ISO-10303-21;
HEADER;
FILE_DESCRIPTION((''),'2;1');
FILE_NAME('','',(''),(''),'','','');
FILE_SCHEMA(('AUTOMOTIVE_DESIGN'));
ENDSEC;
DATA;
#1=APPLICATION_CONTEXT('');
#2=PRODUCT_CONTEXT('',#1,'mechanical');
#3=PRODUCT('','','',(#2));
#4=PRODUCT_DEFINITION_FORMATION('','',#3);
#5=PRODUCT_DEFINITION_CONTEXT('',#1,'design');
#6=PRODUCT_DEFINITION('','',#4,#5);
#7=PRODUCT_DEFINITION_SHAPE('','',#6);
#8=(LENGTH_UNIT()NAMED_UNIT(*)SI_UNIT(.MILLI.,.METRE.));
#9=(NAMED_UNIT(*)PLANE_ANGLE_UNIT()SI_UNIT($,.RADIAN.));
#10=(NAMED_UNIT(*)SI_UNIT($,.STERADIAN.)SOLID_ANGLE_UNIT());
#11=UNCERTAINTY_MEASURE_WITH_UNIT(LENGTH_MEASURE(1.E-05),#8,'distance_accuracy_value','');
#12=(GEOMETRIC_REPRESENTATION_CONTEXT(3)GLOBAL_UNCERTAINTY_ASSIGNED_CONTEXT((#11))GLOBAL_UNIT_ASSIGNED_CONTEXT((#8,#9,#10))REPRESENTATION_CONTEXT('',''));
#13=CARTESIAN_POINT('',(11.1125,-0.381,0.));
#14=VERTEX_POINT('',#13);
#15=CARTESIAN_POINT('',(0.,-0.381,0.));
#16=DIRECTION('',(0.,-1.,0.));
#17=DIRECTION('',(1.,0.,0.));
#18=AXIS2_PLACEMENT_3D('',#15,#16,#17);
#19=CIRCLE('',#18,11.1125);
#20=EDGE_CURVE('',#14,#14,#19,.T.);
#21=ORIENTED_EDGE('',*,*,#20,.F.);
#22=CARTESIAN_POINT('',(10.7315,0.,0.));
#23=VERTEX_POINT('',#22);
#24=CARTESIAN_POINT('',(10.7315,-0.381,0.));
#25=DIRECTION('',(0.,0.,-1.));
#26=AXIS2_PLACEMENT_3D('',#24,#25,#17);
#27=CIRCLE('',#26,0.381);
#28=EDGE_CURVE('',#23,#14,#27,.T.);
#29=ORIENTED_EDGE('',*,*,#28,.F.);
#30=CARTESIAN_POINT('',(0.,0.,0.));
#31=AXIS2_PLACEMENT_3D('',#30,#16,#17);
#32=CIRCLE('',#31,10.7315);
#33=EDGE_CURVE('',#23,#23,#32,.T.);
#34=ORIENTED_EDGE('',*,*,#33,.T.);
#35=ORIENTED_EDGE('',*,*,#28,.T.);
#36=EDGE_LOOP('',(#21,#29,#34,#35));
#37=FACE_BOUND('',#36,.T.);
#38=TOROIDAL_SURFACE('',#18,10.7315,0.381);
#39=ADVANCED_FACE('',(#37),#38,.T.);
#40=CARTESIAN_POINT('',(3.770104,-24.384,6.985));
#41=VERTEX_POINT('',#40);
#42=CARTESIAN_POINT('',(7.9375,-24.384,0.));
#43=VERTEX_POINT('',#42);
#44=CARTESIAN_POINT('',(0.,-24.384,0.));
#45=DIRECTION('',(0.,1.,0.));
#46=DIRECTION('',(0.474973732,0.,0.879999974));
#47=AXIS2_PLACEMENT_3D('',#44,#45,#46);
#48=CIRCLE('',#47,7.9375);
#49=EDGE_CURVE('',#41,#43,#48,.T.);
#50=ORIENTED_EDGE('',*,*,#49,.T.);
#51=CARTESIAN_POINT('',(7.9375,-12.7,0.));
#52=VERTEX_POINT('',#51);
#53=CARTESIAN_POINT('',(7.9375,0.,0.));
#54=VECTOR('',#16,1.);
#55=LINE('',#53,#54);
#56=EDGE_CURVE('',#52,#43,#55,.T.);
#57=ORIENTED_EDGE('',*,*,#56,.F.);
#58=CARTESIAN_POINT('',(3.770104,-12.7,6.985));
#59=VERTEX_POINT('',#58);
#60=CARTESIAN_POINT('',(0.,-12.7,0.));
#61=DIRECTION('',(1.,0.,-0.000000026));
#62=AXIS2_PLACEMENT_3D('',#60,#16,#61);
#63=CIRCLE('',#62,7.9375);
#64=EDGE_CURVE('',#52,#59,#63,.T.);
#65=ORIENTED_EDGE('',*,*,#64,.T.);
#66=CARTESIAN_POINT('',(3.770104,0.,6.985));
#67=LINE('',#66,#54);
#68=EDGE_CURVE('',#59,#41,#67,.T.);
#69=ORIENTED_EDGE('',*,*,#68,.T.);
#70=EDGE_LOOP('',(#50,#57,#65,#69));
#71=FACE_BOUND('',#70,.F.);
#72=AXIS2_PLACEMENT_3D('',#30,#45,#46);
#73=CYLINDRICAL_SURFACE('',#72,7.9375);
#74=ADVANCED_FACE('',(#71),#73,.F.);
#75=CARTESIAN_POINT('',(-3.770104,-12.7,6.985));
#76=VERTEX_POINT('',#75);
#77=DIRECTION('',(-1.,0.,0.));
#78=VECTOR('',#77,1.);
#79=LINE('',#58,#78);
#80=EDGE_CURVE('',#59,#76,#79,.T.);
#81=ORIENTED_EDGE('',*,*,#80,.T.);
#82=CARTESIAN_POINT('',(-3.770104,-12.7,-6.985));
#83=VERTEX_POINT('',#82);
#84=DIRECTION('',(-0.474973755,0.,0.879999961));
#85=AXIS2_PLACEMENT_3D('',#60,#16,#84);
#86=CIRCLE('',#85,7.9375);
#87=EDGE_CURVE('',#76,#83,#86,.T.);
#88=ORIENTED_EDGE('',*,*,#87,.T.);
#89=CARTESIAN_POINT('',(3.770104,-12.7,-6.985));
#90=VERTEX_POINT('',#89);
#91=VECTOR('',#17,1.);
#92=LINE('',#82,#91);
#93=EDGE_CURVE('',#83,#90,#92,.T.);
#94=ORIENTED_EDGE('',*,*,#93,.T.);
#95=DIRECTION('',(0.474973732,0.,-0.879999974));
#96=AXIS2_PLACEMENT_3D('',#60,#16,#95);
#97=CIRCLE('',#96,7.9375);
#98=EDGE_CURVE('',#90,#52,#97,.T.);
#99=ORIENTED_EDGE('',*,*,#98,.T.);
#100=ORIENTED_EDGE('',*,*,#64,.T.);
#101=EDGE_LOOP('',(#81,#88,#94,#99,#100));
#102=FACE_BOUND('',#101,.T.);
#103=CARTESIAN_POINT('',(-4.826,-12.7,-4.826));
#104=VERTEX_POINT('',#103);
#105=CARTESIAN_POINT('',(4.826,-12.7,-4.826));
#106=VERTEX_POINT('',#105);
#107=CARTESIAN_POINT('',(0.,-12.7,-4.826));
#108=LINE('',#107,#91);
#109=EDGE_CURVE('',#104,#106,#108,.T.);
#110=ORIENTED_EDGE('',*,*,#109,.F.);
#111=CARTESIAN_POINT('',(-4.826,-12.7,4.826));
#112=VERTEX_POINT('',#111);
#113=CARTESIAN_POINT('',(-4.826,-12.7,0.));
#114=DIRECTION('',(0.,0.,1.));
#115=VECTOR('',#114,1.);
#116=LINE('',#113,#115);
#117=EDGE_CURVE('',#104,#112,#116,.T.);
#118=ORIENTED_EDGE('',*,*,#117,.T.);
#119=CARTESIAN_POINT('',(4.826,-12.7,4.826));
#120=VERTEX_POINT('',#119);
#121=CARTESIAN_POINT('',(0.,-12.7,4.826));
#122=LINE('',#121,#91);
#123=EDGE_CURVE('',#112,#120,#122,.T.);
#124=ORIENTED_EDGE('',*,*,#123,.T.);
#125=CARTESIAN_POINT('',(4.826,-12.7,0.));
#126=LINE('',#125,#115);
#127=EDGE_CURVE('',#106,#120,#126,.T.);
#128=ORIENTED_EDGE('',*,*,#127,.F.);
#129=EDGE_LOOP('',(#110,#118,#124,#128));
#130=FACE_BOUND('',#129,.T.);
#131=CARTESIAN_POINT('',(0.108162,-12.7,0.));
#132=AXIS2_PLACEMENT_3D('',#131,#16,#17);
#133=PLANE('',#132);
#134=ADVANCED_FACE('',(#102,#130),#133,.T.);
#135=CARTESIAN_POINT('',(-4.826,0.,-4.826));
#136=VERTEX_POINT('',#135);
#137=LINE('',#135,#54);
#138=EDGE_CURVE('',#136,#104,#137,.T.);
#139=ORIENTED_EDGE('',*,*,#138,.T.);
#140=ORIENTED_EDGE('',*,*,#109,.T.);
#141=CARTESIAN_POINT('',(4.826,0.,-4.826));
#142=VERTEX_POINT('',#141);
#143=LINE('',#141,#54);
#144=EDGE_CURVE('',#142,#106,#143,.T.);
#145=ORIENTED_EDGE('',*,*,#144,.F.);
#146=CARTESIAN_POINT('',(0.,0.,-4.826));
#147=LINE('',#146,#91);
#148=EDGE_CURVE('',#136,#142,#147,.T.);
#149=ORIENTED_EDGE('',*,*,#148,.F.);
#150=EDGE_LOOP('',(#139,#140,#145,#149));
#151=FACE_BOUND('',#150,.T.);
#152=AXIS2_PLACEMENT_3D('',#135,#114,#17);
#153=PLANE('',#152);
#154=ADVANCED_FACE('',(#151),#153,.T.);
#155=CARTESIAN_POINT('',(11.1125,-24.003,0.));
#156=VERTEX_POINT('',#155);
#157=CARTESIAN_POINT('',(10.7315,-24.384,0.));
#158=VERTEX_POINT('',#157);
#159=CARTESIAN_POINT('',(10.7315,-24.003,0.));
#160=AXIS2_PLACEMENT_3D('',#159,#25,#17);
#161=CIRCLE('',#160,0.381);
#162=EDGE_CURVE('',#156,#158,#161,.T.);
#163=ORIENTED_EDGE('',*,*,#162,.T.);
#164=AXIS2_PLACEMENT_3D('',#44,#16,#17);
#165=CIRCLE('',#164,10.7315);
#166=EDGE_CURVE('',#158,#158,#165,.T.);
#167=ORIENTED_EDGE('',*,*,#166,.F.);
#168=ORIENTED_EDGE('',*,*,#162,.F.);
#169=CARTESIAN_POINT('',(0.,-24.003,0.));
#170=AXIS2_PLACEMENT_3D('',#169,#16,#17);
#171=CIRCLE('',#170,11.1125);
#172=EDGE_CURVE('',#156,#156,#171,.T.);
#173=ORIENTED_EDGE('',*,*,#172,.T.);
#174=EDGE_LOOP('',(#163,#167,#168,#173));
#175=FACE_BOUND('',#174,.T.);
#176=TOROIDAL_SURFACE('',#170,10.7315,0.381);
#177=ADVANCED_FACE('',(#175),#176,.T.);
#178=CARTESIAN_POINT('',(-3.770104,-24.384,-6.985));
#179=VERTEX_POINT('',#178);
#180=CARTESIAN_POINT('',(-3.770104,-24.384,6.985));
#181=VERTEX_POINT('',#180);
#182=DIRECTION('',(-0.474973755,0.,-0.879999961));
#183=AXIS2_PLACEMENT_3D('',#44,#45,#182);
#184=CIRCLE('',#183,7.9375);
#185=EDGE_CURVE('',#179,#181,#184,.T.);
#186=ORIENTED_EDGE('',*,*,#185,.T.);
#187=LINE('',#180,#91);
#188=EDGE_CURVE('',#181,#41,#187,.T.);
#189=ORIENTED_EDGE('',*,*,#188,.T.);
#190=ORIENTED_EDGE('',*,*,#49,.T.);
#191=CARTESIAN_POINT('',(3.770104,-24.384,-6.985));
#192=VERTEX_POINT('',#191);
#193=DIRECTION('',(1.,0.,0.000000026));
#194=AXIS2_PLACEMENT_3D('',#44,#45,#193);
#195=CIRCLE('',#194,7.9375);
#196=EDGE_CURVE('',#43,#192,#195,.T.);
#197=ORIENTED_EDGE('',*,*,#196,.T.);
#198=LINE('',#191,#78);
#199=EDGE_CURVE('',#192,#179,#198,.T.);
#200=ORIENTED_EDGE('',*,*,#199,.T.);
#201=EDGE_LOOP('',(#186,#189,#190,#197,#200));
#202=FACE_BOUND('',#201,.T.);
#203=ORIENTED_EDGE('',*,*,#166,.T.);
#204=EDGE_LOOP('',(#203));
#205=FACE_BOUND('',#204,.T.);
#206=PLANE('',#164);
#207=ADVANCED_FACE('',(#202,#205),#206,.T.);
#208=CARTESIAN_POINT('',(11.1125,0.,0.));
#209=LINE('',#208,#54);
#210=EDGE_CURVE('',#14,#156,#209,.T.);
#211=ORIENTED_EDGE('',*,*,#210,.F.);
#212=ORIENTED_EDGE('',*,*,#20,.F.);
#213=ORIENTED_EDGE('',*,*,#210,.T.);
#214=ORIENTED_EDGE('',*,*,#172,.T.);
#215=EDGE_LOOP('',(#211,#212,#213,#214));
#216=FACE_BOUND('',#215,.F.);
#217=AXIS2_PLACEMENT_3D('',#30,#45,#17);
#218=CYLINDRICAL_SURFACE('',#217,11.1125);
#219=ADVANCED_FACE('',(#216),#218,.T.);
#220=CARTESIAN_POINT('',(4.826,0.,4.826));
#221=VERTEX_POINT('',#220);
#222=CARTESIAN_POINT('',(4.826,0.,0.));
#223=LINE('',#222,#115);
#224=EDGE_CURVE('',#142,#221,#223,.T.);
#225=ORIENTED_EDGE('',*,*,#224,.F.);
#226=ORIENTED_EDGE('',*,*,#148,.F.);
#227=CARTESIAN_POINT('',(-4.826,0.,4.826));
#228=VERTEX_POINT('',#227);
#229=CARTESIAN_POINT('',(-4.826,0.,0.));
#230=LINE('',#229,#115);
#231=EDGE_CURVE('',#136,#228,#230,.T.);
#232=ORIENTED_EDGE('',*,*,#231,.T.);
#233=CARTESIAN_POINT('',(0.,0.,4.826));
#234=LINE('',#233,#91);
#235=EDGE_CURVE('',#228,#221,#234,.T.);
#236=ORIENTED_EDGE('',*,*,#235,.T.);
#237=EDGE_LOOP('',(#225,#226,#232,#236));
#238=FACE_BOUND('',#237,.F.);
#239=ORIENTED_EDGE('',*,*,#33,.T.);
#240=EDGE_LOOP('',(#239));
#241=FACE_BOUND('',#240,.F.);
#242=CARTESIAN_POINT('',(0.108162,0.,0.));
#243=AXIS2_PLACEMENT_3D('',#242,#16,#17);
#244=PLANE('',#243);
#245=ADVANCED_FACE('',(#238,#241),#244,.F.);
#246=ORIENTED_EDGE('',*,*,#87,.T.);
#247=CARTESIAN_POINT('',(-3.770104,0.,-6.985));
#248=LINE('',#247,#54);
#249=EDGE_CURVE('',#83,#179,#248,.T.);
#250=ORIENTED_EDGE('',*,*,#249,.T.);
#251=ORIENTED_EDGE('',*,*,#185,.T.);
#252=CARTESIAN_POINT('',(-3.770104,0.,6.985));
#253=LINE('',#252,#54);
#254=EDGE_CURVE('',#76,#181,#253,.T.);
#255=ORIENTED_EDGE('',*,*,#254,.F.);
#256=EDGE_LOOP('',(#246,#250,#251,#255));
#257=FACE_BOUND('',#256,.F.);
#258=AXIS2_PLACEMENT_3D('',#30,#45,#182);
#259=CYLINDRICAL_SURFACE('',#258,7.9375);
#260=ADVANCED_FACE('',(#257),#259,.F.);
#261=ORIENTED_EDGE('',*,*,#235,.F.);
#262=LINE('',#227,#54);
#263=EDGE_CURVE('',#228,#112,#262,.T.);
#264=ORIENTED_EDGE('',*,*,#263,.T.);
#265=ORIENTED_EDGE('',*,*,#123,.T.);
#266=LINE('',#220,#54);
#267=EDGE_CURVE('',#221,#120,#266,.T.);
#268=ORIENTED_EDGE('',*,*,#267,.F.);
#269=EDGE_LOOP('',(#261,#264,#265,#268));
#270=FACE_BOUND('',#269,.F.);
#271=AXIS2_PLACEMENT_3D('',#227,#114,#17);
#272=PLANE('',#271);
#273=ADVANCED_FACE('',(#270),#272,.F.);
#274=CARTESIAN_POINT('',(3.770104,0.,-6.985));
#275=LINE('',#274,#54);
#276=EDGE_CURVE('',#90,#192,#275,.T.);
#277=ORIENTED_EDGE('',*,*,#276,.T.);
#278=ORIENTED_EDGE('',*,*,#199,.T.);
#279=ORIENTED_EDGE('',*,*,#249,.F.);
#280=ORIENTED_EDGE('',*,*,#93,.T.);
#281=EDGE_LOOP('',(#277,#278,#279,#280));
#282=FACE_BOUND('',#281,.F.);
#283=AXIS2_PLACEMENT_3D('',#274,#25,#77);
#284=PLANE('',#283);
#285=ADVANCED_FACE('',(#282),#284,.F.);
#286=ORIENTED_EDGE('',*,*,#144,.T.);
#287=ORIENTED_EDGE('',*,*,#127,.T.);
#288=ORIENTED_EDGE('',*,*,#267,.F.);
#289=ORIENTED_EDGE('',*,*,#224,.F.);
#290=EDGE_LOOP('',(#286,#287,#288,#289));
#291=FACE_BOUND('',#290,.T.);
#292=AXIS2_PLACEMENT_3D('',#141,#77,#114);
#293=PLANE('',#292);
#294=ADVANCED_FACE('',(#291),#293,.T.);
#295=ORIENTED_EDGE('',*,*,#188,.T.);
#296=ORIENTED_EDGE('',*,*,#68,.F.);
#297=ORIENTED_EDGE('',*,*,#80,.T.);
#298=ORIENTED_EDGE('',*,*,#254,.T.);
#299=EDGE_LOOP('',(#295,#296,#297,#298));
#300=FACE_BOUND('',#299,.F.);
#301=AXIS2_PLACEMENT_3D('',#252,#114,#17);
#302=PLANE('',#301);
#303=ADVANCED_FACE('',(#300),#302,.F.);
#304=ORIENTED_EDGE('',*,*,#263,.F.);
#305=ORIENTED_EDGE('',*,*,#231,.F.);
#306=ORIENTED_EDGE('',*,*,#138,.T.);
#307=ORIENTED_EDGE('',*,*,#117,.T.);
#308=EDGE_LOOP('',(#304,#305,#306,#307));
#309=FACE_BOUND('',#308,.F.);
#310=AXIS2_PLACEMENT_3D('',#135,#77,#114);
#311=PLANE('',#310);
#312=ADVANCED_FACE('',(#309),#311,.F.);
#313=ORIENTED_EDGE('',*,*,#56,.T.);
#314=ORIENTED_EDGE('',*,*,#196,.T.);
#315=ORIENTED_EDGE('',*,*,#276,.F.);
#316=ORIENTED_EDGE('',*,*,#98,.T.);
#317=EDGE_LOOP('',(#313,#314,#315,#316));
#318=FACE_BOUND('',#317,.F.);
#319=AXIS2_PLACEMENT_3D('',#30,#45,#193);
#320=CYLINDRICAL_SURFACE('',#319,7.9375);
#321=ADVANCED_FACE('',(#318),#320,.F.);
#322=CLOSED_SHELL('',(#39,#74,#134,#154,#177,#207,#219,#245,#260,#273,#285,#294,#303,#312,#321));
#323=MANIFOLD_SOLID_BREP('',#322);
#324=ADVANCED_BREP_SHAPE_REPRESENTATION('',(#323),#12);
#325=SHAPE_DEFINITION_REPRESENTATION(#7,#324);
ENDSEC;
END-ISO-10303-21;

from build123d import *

# Parameters (mm, degrees)
F0_R     = 11.1125
F1_DEPTH = 24.384
F0_W     = 9.652
F0_H     = 9.652
F2_DEPTH = 12.7
F3_R     = 0.381


with BuildPart() as f1:
    # F0 (on Front) → F1 (new body)
    with BuildSketch(Plane.XZ):
        Circle(F0_R)
        with BuildLine():
            ThreePointArc((3.770104, 6.985), (6.816491, 4.066861), (7.9375, 0))
            ThreePointArc((7.9375, 0), (6.816491, -4.066861), (3.770104, -6.985))
            ThreePointArc((3.770104, -6.985), (0, -7.9375), (-3.770104, -6.985))
            ThreePointArc((-3.770104, -6.985), (-7.9375, 0), (-3.770104, 6.985))
            ThreePointArc((-3.770104, 6.985), (0, 7.9375), (3.770104, 6.985))
        make_face(mode=Mode.SUBTRACT)
        with BuildLine():
            ThreePointArc((-3.770104, -6.985), (0, -7.9375), (3.770104, -6.985))
            Line((3.770104, -6.985), (-3.770104, -6.985))
        make_face()
        with BuildLine():
            Line((-3.770104, 6.985), (3.770104, 6.985))
            ThreePointArc((3.770104, 6.985), (0, 7.9375), (-3.770104, 6.985))
        make_face()
    extrude(amount=F1_DEPTH)

    # F0 (on Front) → F2 (join)
    with BuildSketch(Plane.XZ):
        with BuildLine():
            ThreePointArc((3.770104, -6.985), (6.816491, -4.066861), (7.9375, 0))
            ThreePointArc((7.9375, 0), (6.816491, 4.066861), (3.770104, 6.985))
            Line((3.770104, 6.985), (-3.770104, 6.985))
            ThreePointArc((-3.770104, 6.985), (-7.9375, 0), (-3.770104, -6.985))
            Line((-3.770104, -6.985), (3.770104, -6.985))
        make_face()
        Rectangle(F0_W, F0_H, mode=Mode.SUBTRACT)
    extrude(amount=F2_DEPTH)

    # F3
    f3_edges = [f1.edges().sort_by_distance(p)[0] for p in [
        (-11.1125, -24.384, 0),
        (-11.1125, 0, 0),
    ]]
    fillet(f3_edges, radius=F3_R)


solid = f1.part
